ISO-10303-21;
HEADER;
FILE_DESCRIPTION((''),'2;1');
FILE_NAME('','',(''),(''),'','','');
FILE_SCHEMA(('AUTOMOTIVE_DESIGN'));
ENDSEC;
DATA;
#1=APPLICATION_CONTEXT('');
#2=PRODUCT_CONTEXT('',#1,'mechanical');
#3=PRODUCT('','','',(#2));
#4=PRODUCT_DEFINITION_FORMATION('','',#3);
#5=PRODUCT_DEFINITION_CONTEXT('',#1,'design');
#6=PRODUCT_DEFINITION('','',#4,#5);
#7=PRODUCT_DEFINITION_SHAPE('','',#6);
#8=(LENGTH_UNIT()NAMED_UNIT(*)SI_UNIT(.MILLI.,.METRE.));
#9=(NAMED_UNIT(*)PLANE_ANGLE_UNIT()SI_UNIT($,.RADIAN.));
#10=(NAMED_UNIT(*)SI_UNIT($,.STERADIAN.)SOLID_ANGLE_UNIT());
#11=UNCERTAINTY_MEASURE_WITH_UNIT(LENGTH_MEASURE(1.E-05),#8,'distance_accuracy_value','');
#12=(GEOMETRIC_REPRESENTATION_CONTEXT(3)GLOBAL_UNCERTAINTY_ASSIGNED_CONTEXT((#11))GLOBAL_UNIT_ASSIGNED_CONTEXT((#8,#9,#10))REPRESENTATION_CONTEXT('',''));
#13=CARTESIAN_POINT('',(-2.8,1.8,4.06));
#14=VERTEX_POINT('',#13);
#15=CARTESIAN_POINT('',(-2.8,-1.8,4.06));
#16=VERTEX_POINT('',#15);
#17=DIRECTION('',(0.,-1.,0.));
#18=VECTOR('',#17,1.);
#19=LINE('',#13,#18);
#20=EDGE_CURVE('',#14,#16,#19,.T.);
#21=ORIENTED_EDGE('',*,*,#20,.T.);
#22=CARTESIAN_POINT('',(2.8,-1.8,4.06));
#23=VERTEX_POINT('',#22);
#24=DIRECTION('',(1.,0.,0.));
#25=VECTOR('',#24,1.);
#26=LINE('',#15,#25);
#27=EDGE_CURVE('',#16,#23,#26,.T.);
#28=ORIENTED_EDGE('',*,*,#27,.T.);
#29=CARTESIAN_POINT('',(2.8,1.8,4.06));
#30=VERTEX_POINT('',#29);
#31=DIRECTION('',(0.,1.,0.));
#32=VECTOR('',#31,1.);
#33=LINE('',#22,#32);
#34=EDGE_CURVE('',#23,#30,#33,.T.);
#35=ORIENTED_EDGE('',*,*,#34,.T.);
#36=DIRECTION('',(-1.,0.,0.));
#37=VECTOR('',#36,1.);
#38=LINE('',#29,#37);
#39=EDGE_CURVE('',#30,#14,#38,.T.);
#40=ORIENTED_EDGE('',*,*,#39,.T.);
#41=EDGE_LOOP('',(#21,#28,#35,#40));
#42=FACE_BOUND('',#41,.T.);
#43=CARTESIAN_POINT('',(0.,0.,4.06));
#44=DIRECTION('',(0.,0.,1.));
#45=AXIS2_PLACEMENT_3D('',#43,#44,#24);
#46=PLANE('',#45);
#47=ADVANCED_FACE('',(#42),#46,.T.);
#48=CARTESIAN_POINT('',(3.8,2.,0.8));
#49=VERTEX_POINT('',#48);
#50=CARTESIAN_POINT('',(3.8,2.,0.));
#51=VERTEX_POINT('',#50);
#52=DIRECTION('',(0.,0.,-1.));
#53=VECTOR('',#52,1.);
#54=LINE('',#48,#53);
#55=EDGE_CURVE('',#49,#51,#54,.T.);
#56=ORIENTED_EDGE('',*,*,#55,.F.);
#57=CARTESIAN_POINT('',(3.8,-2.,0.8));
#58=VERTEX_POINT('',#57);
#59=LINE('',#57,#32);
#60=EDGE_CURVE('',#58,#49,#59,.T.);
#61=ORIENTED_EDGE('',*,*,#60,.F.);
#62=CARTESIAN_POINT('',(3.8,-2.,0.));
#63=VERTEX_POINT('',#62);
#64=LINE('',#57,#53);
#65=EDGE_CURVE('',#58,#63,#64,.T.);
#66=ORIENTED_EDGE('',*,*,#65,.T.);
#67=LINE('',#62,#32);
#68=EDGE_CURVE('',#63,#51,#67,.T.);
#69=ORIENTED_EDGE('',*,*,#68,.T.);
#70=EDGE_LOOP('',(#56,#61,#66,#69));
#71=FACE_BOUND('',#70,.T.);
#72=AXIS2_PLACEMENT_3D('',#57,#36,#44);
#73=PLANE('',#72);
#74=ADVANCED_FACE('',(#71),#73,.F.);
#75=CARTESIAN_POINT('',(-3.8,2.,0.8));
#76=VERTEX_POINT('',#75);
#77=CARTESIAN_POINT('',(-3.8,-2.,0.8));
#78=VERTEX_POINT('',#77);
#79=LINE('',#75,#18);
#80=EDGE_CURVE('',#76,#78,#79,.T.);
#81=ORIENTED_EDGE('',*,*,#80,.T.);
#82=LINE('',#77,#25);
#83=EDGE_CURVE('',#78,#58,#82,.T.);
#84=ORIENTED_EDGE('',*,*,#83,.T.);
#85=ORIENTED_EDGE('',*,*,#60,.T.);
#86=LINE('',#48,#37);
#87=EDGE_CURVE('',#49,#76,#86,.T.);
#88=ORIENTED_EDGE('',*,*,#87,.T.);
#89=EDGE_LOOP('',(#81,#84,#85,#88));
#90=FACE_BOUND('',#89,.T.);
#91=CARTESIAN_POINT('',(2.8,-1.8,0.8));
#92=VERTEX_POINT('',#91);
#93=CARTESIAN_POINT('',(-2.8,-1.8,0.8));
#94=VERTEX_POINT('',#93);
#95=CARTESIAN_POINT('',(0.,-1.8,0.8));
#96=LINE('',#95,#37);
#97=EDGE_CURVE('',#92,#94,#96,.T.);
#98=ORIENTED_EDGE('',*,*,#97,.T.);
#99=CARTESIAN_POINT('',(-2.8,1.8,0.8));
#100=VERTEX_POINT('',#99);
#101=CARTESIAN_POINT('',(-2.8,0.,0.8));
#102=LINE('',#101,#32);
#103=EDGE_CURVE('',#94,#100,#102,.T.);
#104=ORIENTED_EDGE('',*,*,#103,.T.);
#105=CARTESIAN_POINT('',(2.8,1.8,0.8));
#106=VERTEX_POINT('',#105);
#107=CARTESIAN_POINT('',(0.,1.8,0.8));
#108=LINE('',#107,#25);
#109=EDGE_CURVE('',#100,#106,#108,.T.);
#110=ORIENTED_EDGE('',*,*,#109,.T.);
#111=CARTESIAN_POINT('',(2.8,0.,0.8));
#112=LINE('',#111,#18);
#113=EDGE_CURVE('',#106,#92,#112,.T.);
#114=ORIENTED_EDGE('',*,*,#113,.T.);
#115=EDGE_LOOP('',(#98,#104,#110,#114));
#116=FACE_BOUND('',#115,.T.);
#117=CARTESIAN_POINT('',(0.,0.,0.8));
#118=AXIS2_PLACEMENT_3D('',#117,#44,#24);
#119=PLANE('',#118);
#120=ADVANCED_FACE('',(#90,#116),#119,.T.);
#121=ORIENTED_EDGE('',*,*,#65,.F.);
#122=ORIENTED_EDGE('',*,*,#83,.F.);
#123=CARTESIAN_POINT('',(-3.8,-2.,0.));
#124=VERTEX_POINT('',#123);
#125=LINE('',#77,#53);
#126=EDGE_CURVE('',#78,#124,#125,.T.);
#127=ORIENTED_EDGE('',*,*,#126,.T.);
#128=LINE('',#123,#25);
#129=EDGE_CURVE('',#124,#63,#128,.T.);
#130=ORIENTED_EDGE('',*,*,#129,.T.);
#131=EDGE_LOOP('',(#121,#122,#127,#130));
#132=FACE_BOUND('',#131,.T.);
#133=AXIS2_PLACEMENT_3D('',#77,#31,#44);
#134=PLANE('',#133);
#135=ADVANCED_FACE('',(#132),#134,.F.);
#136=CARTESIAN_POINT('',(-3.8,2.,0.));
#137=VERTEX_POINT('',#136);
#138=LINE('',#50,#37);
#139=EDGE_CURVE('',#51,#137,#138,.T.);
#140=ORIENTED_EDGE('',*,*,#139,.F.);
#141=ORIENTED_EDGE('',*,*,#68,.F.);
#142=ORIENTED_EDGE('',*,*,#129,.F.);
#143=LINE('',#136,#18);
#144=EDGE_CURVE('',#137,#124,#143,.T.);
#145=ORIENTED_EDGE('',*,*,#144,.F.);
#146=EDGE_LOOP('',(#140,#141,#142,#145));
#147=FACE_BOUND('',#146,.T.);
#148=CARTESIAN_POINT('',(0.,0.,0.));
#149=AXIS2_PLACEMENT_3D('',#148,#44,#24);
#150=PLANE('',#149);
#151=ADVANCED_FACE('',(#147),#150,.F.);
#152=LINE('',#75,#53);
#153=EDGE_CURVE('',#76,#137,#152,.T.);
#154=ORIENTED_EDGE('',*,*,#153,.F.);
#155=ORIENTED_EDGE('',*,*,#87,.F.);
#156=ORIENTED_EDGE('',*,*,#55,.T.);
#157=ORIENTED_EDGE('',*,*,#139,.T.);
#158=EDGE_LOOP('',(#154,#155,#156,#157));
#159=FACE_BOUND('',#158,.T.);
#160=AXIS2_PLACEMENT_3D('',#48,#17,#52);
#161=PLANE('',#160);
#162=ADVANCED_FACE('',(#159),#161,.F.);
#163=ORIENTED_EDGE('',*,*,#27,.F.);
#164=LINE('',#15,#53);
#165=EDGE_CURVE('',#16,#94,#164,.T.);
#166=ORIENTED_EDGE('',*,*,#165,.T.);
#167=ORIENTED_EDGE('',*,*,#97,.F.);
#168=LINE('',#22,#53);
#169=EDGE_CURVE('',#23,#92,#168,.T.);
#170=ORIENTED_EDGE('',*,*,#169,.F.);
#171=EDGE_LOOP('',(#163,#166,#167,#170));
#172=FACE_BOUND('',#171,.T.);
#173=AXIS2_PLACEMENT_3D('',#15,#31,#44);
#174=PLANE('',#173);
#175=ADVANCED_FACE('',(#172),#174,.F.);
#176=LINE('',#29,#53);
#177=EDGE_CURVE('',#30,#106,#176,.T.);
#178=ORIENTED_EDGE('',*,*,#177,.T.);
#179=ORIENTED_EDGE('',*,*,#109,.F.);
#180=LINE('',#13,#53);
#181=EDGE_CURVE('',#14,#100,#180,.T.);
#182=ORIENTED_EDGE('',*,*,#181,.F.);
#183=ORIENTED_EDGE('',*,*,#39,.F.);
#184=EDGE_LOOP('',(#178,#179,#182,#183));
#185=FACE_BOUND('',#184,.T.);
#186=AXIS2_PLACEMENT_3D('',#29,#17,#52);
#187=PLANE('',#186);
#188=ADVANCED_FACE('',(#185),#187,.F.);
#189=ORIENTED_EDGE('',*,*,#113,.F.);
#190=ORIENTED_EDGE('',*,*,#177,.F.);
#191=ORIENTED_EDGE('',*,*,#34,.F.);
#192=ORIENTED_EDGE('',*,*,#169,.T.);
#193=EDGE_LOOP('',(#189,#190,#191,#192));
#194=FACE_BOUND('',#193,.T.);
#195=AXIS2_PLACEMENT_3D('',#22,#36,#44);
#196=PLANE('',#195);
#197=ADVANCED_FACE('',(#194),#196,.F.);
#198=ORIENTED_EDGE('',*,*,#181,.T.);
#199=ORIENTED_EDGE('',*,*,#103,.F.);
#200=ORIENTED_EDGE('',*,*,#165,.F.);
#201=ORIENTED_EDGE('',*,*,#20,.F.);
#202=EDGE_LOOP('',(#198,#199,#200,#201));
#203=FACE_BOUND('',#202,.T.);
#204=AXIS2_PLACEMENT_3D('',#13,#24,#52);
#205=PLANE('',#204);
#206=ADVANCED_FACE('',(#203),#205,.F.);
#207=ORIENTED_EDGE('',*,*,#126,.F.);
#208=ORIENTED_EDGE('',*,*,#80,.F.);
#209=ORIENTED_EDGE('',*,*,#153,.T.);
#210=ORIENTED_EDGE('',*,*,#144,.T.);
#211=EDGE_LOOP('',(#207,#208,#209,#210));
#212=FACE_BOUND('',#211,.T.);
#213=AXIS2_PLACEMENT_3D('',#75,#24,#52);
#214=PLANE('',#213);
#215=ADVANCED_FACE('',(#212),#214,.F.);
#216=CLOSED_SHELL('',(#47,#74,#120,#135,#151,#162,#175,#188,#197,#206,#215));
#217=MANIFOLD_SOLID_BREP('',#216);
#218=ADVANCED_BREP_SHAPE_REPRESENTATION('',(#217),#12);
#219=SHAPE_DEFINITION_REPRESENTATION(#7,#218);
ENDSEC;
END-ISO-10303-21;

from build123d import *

# Parameters (mm, degrees)
SKETCH_1_W   = 7.6
SKETCH_1_H   = 4
FLANGE_DEPTH = 0.8
SKETCH_2_W   = 5.6
SKETCH_2_H   = 3.6
HEAD_DEPTH   = 4.06


with BuildPart() as part:
    # 草圖1 → flange (new body)
    with BuildSketch(Plane.XY):
        Rectangle(SKETCH_1_W, SKETCH_1_H)
    extrude(amount=FLANGE_DEPTH)

    # 草圖2 → head (add)
    with BuildSketch(Plane.XY):
        Rectangle(SKETCH_2_W, SKETCH_2_H)
    extrude(amount=HEAD_DEPTH)


solid = part.part
